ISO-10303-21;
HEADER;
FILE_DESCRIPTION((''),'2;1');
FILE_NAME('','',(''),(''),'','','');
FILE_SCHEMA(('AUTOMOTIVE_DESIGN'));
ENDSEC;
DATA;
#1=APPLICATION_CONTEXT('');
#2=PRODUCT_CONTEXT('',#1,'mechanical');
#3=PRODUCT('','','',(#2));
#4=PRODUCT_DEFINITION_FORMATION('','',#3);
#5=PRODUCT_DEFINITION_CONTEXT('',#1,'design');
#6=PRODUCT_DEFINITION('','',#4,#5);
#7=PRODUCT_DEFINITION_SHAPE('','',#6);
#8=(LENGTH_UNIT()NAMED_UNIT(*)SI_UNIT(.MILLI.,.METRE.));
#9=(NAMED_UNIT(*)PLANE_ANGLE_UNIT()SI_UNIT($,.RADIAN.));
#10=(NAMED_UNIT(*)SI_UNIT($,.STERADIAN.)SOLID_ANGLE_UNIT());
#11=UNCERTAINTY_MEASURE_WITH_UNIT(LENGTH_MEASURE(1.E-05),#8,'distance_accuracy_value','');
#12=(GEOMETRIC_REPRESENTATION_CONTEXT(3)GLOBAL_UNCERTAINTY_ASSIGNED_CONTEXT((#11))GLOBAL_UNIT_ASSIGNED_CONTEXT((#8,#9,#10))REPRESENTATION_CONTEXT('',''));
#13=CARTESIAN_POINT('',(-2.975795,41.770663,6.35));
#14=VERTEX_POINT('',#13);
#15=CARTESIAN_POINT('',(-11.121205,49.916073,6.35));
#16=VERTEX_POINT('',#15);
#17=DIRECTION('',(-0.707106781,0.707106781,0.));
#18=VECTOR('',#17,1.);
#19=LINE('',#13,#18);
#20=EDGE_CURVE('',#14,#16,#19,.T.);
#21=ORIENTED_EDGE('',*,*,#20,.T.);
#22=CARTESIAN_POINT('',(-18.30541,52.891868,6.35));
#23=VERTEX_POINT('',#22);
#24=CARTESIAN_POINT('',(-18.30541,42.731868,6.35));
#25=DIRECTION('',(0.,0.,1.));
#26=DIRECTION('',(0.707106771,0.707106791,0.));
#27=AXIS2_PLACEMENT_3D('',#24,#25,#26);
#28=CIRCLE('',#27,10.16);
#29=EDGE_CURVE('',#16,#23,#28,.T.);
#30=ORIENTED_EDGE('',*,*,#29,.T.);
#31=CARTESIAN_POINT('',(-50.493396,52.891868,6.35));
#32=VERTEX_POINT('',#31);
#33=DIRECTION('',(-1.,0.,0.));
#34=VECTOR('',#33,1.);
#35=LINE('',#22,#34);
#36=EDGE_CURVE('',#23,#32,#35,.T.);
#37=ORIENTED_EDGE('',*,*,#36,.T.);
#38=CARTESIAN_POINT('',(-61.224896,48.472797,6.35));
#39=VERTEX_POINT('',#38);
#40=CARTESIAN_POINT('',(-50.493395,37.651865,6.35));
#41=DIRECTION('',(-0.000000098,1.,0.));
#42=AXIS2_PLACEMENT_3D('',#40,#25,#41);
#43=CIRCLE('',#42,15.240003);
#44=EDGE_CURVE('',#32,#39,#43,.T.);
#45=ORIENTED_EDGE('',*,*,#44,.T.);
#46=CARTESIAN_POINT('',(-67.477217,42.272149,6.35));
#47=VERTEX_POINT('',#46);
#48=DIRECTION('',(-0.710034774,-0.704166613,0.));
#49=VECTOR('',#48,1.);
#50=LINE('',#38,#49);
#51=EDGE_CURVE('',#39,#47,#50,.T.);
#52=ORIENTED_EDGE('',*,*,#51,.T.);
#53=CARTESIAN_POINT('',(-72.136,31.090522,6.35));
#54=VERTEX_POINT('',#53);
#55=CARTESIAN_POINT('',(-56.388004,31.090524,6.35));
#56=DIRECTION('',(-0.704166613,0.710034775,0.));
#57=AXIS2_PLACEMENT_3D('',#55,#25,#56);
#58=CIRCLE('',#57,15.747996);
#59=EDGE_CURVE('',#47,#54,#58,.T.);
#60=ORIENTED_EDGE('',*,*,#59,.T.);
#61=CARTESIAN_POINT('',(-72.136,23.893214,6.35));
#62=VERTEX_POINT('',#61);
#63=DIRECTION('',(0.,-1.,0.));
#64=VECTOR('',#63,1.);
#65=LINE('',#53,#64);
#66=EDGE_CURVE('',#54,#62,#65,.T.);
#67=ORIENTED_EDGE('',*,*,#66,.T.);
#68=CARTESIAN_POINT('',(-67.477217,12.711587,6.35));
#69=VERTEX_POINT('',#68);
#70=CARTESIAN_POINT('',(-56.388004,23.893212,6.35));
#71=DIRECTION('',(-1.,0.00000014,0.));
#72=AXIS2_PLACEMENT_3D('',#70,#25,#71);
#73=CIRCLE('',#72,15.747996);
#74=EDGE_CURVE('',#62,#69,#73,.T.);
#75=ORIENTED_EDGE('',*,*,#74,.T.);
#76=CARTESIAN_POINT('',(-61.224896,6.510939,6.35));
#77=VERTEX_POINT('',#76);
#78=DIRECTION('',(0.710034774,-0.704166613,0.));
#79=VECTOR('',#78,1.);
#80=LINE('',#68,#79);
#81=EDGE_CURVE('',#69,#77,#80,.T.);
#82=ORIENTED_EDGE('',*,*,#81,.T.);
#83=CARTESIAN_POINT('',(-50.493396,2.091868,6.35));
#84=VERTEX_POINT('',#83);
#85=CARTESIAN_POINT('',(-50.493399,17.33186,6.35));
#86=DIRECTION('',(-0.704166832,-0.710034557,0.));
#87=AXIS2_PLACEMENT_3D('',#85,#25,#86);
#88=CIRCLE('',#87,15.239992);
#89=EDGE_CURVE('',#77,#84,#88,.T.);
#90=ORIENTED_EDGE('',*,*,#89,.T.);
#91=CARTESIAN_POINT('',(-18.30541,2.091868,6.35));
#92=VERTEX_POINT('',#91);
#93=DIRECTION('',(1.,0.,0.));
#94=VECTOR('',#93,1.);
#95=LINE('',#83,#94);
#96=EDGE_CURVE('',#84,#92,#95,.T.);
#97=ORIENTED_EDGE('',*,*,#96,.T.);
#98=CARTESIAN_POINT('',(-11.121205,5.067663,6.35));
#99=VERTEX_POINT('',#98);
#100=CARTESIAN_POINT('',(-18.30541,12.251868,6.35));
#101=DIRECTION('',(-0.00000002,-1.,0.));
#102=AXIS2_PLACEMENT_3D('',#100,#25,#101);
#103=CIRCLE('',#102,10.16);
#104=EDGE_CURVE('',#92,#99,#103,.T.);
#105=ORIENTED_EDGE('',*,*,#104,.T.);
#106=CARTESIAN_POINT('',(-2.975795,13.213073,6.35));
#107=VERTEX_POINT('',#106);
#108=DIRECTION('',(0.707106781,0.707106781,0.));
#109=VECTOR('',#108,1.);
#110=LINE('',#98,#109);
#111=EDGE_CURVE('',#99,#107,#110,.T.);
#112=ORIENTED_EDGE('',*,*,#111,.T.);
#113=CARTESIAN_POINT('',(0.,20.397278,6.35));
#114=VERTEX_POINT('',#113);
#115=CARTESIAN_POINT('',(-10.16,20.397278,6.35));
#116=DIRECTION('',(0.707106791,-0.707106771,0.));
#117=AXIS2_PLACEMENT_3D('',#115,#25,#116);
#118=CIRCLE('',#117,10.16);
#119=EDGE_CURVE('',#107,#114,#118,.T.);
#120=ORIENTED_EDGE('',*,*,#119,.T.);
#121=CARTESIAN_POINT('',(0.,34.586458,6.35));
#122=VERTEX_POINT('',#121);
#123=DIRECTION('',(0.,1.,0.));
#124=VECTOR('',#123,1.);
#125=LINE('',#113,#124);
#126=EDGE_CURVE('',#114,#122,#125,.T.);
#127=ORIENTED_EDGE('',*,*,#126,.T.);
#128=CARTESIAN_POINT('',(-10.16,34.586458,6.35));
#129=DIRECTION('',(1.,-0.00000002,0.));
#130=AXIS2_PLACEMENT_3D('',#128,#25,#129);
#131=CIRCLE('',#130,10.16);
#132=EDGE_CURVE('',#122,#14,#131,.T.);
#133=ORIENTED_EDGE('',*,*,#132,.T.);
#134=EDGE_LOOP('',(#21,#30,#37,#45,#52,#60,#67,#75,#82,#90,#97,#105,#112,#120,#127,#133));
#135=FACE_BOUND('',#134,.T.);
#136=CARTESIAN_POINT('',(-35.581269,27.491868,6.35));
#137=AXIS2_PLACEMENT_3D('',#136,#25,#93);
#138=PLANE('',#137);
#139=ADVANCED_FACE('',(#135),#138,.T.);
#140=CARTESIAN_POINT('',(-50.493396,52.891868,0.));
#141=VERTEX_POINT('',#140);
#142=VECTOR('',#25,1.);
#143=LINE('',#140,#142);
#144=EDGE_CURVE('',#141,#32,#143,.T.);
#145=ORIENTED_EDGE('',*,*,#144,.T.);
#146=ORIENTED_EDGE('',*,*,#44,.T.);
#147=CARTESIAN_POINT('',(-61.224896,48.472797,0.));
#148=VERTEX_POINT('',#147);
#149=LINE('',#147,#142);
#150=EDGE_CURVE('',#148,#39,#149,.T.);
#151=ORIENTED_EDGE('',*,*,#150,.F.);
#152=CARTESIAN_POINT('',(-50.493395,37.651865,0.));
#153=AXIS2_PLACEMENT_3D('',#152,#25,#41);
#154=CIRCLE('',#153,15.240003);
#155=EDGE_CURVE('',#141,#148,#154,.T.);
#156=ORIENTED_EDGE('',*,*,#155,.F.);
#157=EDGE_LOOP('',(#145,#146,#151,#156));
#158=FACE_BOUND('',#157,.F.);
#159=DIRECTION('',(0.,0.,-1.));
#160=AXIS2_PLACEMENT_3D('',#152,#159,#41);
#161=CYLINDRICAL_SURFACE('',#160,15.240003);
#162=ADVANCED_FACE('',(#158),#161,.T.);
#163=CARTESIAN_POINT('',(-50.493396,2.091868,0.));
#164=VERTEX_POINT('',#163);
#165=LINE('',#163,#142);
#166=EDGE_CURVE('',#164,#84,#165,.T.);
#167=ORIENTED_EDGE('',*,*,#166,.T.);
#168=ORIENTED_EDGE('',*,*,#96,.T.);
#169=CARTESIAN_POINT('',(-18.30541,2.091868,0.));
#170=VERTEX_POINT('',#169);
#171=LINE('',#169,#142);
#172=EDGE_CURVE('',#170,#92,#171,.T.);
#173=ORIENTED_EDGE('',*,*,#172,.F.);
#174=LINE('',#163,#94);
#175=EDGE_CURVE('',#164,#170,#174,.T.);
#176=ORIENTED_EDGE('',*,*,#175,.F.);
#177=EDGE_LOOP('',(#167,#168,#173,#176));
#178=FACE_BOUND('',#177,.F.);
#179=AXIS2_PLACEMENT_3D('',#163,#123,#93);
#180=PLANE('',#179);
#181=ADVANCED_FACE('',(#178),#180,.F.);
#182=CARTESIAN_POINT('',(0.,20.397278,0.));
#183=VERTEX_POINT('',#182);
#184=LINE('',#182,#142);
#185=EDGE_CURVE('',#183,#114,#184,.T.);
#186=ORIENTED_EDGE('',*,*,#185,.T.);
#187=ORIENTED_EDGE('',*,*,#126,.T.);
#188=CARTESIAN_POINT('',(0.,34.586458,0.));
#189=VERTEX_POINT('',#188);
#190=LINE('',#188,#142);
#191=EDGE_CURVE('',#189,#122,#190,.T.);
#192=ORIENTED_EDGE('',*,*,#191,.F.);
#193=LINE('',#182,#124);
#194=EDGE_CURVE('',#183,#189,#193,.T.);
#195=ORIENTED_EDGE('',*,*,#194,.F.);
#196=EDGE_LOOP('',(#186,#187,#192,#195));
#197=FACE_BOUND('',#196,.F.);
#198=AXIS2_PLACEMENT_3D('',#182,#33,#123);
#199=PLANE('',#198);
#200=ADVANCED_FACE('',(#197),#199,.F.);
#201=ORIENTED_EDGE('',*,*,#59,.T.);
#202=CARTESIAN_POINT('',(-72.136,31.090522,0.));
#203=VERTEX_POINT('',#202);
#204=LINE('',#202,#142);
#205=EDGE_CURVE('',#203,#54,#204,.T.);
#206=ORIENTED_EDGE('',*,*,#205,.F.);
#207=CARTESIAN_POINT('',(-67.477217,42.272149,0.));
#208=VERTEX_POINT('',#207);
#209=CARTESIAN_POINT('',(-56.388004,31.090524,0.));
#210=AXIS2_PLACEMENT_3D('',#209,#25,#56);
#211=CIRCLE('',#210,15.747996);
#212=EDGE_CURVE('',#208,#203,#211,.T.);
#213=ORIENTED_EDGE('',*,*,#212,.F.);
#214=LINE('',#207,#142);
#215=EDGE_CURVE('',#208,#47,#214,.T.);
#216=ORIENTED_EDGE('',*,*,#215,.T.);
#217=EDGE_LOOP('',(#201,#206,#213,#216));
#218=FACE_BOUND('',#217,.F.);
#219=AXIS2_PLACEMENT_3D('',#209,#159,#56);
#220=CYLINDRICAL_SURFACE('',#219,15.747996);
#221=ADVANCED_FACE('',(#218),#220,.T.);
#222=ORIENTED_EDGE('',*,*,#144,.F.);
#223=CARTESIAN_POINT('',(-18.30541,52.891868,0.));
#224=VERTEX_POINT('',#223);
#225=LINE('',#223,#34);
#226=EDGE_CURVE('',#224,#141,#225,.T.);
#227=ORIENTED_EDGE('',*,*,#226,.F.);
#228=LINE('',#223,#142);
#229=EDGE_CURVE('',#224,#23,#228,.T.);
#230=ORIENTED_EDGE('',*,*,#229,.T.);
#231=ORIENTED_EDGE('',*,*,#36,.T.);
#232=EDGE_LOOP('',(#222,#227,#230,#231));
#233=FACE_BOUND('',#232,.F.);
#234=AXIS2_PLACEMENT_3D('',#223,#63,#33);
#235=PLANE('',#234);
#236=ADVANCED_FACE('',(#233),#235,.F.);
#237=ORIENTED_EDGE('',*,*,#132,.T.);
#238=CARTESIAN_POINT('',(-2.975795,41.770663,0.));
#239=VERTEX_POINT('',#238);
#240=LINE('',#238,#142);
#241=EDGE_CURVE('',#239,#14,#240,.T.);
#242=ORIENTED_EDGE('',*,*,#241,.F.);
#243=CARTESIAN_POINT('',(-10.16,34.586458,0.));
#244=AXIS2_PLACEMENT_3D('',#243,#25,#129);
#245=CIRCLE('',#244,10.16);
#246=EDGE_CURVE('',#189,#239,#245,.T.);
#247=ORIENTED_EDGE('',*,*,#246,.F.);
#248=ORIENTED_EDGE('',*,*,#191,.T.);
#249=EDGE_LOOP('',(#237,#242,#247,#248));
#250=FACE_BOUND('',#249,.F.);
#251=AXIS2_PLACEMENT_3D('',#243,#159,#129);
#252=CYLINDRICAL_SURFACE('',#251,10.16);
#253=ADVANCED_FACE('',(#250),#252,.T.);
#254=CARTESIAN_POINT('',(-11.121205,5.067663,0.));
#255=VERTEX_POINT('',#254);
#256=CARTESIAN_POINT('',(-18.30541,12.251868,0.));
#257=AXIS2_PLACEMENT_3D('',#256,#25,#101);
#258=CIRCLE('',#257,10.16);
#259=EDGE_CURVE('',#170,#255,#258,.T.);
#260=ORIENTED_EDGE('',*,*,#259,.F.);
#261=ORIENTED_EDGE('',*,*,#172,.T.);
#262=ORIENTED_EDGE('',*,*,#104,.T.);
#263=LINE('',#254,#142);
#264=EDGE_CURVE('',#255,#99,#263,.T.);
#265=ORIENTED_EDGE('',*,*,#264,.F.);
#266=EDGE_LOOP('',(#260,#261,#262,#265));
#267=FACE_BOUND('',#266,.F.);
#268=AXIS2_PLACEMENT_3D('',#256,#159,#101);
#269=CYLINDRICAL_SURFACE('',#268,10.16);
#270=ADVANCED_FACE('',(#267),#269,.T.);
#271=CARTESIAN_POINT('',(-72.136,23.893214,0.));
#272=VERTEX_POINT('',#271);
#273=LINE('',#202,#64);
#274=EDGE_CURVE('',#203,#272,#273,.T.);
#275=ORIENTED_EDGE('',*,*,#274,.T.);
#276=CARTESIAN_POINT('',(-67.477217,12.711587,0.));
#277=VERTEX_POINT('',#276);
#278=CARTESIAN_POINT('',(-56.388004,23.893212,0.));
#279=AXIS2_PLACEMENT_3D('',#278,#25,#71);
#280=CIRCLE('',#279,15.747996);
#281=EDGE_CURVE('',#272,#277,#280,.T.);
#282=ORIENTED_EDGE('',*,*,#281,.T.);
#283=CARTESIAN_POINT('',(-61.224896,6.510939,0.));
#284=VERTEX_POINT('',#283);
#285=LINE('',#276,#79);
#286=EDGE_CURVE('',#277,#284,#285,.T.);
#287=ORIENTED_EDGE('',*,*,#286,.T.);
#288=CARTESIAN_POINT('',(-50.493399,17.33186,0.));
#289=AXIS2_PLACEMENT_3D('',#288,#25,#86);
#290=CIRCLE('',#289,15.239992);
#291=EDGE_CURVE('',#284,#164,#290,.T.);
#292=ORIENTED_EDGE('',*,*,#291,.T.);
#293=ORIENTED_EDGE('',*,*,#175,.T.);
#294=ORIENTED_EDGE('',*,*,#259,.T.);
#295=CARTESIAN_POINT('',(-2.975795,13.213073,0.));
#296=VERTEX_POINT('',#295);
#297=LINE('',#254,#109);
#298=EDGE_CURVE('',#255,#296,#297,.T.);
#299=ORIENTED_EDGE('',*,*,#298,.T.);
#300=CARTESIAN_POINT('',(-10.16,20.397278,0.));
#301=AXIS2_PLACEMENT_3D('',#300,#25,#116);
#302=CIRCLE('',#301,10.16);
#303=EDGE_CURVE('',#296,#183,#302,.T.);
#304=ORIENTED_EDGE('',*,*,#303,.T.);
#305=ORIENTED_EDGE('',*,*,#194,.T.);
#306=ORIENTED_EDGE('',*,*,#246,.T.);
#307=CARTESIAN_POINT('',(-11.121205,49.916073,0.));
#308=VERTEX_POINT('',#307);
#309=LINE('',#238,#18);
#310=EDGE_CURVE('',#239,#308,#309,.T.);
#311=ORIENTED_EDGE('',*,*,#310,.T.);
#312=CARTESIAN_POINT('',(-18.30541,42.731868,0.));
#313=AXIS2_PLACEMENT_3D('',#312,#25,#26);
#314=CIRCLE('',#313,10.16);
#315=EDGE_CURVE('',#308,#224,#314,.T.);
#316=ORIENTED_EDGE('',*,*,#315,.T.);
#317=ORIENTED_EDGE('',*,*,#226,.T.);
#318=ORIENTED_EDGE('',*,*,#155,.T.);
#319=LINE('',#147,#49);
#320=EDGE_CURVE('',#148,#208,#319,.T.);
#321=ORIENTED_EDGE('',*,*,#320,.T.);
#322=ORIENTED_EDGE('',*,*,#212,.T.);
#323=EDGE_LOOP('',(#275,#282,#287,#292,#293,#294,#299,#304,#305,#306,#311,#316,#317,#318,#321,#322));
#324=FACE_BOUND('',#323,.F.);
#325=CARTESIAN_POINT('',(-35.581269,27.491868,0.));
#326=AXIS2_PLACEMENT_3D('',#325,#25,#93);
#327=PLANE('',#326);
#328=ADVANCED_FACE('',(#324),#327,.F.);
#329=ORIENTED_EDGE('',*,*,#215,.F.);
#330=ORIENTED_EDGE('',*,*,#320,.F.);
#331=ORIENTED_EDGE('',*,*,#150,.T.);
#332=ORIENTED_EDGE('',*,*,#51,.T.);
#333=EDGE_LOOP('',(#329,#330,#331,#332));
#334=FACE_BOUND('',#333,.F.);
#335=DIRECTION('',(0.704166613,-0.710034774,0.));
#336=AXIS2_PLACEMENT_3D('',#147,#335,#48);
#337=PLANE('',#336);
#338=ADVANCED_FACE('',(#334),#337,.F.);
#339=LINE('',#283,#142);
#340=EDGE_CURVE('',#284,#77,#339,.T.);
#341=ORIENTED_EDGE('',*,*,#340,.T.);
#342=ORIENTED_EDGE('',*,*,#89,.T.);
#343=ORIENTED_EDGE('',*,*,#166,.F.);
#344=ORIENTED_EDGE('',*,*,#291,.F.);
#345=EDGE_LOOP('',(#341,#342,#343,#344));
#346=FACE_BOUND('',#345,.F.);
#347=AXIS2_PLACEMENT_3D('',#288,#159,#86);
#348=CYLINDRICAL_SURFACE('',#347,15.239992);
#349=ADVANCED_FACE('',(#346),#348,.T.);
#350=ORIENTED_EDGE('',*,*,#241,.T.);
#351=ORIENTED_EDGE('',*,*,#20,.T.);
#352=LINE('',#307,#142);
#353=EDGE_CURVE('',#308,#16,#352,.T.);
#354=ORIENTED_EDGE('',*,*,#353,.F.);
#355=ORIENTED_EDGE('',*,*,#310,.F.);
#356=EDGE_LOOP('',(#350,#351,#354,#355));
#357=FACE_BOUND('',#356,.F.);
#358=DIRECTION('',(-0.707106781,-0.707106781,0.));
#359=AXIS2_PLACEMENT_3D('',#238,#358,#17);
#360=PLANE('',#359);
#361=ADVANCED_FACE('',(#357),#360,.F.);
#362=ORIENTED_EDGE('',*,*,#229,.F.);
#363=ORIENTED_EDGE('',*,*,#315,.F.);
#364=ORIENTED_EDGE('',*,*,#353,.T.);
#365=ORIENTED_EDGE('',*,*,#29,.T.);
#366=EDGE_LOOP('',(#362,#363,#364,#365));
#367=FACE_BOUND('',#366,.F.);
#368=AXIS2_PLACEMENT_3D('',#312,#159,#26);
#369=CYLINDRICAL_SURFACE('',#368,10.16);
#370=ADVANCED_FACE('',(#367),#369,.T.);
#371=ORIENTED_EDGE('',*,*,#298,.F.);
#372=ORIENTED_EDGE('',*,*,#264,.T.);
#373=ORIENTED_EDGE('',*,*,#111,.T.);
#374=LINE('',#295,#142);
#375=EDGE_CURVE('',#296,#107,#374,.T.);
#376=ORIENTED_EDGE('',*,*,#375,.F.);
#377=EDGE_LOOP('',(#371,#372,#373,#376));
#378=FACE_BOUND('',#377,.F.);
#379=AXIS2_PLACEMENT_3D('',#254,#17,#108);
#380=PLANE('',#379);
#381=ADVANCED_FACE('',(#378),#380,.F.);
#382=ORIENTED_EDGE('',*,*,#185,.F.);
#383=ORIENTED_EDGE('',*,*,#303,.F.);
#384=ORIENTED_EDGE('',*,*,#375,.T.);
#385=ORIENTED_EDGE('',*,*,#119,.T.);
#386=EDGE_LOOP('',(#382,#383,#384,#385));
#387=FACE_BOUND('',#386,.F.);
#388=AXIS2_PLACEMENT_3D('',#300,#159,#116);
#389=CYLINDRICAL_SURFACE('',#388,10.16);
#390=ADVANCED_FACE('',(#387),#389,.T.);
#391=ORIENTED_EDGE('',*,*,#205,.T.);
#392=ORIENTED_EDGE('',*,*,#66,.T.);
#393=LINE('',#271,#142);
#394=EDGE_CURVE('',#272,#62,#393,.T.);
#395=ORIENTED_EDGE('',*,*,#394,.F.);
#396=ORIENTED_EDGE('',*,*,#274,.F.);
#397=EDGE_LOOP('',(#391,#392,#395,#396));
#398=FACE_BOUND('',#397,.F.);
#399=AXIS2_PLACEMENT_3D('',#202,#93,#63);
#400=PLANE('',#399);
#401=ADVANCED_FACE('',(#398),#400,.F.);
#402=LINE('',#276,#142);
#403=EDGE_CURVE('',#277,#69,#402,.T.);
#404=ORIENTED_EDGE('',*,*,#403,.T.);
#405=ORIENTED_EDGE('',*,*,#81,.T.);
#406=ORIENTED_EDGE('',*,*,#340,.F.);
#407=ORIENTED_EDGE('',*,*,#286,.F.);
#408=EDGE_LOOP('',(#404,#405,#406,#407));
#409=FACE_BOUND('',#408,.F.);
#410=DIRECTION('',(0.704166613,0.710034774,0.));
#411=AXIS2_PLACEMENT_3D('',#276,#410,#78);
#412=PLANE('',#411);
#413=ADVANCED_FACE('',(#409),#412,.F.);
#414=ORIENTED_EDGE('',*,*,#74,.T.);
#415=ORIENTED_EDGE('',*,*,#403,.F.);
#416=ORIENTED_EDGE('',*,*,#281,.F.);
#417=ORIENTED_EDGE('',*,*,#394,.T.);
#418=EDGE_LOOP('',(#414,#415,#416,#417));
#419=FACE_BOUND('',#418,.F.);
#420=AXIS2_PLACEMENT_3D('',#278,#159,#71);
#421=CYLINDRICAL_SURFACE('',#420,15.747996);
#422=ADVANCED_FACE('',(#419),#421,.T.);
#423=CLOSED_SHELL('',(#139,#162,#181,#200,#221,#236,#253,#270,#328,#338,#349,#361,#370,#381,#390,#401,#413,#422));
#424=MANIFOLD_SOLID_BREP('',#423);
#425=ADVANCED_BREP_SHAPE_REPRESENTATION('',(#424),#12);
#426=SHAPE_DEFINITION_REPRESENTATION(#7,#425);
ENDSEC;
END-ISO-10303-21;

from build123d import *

# Parameters (mm, degrees)
F1_DEPTH = 6.35


with BuildPart() as f1:
    # F0 (on Top) → F1 (new body)
    with BuildSketch(Plane.XY):
        with BuildLine():
            ThreePointArc((-2.975795, 13.213073), (-0.773384, 16.509214), (0, 20.397278))
            Line((0, 20.397278), (0, 34.586458))
            ThreePointArc((0, 34.586458), (-0.773384, 38.474522), (-2.975795, 41.770663))
            Line((-2.975795, 41.770663), (-11.121205, 49.916073))
            ThreePointArc((-11.121205, 49.916073), (-14.417346, 52.118484), (-18.30541, 52.891868))
            Line((-18.30541, 52.891868), (-50.493396, 52.891868))
            ThreePointArc((-50.493396, 52.891868), (-56.296268, 51.743861), (-61.224896, 48.472797))
            Line((-61.224896, 48.472797), (-67.477217, 42.272149))
            ThreePointArc((-67.477217, 42.272149), (-70.924721, 37.147193), (-72.136, 31.090522))
            Line((-72.136, 31.090522), (-72.136, 23.893214))
            ThreePointArc((-72.136, 23.893214), (-70.924721, 17.836543), (-67.477217, 12.711587))
            Line((-67.477217, 12.711587), (-61.224896, 6.510939))
            ThreePointArc((-61.224896, 6.510939), (-56.296268, 3.239874), (-50.493396, 2.091868))
            Line((-50.493396, 2.091868), (-18.30541, 2.091868))
            ThreePointArc((-18.30541, 2.091868), (-14.417346, 2.865252), (-11.121205, 5.067663))
            Line((-11.121205, 5.067663), (-2.975795, 13.213073))
        make_face()
    extrude(amount=F1_DEPTH)


solid = f1.part
